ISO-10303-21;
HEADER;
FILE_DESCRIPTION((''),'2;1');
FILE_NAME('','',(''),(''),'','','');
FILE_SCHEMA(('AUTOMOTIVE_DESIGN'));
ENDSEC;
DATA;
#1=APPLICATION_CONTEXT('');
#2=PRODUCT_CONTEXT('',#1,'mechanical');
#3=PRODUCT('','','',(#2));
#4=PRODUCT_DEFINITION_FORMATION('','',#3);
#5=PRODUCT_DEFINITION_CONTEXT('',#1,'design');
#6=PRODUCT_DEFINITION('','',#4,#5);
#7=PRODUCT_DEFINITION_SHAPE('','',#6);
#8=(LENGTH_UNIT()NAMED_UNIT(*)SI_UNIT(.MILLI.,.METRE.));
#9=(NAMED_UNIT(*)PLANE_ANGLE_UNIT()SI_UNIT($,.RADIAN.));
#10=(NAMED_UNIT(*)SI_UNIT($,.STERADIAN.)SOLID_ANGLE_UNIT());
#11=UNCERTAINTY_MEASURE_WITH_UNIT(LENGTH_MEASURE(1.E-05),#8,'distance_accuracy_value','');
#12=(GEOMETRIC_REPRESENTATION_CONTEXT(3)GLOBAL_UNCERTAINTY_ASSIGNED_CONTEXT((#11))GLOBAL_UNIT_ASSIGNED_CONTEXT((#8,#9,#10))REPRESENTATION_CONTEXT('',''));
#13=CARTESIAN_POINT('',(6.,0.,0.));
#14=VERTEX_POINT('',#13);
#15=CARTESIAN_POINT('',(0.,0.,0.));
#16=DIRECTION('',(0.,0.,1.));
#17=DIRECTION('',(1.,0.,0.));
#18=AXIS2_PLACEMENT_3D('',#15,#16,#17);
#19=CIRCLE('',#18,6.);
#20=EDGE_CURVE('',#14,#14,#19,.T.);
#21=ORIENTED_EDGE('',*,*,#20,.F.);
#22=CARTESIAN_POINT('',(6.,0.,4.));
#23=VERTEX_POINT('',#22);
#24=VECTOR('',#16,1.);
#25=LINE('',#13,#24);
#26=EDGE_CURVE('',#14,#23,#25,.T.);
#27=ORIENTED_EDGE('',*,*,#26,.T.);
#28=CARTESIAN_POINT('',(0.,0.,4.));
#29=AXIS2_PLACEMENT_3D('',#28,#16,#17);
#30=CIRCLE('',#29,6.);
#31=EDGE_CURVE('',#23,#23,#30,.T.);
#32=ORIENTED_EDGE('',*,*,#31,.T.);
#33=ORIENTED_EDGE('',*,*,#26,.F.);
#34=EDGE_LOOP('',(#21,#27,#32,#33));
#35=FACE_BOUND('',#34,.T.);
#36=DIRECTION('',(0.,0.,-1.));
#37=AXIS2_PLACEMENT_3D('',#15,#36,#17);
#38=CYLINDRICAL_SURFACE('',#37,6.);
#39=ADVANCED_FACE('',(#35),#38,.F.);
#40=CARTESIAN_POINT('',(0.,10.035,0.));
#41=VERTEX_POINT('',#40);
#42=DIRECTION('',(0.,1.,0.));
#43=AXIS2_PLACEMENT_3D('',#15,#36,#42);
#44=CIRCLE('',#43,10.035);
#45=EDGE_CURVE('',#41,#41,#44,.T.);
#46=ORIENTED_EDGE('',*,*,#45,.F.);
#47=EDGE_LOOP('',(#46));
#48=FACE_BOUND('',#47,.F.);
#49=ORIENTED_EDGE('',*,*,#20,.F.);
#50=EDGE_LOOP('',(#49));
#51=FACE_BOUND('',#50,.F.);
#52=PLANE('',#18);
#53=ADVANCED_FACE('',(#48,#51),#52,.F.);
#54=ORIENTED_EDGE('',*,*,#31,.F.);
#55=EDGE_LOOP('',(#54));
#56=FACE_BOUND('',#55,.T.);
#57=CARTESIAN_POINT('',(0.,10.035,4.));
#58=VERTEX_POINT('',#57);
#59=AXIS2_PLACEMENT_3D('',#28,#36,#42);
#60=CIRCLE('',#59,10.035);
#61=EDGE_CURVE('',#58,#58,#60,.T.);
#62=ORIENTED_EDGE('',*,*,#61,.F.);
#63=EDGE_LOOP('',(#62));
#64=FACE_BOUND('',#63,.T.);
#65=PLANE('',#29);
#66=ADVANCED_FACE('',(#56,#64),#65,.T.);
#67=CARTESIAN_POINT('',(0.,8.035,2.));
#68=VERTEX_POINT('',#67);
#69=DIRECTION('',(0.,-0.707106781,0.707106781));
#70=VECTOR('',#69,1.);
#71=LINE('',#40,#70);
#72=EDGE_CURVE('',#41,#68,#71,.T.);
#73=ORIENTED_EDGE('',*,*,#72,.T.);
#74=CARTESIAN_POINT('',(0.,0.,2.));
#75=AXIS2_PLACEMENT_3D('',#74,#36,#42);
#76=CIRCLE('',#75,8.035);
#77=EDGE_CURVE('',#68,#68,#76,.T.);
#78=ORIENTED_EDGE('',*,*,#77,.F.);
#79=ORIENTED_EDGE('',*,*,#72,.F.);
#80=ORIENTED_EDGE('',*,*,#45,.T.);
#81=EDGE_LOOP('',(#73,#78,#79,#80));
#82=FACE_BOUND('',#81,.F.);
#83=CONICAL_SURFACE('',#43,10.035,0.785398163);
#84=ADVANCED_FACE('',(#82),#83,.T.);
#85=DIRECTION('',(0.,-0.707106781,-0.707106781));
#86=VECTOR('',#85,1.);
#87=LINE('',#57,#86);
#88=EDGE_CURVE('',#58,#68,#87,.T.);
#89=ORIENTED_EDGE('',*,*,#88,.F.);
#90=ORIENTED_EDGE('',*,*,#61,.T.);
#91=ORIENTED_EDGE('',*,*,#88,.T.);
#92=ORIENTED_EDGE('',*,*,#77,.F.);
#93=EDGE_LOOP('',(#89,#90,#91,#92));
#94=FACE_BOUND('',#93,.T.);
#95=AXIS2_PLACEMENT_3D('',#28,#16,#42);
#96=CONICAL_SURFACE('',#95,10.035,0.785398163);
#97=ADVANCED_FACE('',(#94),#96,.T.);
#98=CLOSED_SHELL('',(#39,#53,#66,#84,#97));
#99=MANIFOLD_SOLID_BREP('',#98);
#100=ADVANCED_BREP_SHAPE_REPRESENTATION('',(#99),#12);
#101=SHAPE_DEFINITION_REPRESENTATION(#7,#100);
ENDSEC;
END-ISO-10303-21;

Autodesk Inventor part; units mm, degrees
ref_plane "YZ Plane" through (0, 0, 0) normal (1, 0, 0) x (0, 1, 0)
ref_plane "XZ Plane" through (0, 0, 0) normal (0, 1, 0) x (-1, 0, 0)
ref_plane "XY Plane" through (0, 0, 0) normal (0, 0, 1) x (1, 0, 0)
sketch "Sketch90" plane through (0, 0, 0) normal (0, 0, 1) x (1, 0, 0)
  circle A0 centre (0, 0) radius 6
  circle A1 centre (0, 0) radius 8.035
  dimension "d450" = 12
  dimension "d451" = 16.07
extrude "Extrusion69" add sketch "Sketch90" along normal blind 4
sketch "Sketch91" plane through (0, 0, 0) normal (1, 0, 0) x (0, 1, 0)
  line L0 (8.035, 0) -> (8.035, 4) projected
  line L1 (8.035, 4) -> (10.035, 4)
  line L2 (8.035, 0) -> (10.035, 0)
  line L3 (10.035, 4) -> (8.035, 2)
  line L4 (10.035, 0) -> (8.035, 2)
  line L5 (0, 0) -> (0, -8)
  line L6 (6, 0) -> (-6, 0) projected
  line L7 (-8.035, 0) -> (8.035, 0) projected
  line L8 (-6, 4) -> (6, 4) projected
  line L9 (8.035, 4) -> (-8.035, 4) projected
  line L10 (-6, 4) -> (6, 4) projected
  line L11 (6, 0) -> (-6, 0) projected
  line L12 (6, 0) -> (-6, 0) projected
  line L13 (6, 0) -> (6, 4) projected
  line L14 (6, 0) -> (8, 0)
  line L15 (8, 0) -> (8, 0)
  line L16 (7, -1) -> (6, -1)
  line L17 (6, -1) -> (6, 0)
  line L18 (-6, 4) -> (6, 4) projected
  line L19 (6, 4) -> (8, 4)
  line L20 (8, 4) -> (8, 4)
  line L21 (7, 5) -> (6, 5)
  line L22 (6, 5) -> (6, 4)
  line L23 (8, 0) -> (7, -1)
  line L24 (8, 4) -> (7, 5)
  point P0 (8, -1)
  point P1 (8, 5)
  dimension "d454" = 2
  dimension "d456" = 2
  dimension "d457" = 1
  dimension "d458" = 1
  dimension "d459" = 1
  dimension "d460" = 1
  dimension "d461" = 1
  dimension "d462" = 1
revolve "Revolution9" add sketch "Sketch91" angle 360 about axis through (0, 0, 0) along (0, 0, -1) contours L0 L4 L2 | L0 L1 L3
properties part number "wheel-4-16-w_bearing"
